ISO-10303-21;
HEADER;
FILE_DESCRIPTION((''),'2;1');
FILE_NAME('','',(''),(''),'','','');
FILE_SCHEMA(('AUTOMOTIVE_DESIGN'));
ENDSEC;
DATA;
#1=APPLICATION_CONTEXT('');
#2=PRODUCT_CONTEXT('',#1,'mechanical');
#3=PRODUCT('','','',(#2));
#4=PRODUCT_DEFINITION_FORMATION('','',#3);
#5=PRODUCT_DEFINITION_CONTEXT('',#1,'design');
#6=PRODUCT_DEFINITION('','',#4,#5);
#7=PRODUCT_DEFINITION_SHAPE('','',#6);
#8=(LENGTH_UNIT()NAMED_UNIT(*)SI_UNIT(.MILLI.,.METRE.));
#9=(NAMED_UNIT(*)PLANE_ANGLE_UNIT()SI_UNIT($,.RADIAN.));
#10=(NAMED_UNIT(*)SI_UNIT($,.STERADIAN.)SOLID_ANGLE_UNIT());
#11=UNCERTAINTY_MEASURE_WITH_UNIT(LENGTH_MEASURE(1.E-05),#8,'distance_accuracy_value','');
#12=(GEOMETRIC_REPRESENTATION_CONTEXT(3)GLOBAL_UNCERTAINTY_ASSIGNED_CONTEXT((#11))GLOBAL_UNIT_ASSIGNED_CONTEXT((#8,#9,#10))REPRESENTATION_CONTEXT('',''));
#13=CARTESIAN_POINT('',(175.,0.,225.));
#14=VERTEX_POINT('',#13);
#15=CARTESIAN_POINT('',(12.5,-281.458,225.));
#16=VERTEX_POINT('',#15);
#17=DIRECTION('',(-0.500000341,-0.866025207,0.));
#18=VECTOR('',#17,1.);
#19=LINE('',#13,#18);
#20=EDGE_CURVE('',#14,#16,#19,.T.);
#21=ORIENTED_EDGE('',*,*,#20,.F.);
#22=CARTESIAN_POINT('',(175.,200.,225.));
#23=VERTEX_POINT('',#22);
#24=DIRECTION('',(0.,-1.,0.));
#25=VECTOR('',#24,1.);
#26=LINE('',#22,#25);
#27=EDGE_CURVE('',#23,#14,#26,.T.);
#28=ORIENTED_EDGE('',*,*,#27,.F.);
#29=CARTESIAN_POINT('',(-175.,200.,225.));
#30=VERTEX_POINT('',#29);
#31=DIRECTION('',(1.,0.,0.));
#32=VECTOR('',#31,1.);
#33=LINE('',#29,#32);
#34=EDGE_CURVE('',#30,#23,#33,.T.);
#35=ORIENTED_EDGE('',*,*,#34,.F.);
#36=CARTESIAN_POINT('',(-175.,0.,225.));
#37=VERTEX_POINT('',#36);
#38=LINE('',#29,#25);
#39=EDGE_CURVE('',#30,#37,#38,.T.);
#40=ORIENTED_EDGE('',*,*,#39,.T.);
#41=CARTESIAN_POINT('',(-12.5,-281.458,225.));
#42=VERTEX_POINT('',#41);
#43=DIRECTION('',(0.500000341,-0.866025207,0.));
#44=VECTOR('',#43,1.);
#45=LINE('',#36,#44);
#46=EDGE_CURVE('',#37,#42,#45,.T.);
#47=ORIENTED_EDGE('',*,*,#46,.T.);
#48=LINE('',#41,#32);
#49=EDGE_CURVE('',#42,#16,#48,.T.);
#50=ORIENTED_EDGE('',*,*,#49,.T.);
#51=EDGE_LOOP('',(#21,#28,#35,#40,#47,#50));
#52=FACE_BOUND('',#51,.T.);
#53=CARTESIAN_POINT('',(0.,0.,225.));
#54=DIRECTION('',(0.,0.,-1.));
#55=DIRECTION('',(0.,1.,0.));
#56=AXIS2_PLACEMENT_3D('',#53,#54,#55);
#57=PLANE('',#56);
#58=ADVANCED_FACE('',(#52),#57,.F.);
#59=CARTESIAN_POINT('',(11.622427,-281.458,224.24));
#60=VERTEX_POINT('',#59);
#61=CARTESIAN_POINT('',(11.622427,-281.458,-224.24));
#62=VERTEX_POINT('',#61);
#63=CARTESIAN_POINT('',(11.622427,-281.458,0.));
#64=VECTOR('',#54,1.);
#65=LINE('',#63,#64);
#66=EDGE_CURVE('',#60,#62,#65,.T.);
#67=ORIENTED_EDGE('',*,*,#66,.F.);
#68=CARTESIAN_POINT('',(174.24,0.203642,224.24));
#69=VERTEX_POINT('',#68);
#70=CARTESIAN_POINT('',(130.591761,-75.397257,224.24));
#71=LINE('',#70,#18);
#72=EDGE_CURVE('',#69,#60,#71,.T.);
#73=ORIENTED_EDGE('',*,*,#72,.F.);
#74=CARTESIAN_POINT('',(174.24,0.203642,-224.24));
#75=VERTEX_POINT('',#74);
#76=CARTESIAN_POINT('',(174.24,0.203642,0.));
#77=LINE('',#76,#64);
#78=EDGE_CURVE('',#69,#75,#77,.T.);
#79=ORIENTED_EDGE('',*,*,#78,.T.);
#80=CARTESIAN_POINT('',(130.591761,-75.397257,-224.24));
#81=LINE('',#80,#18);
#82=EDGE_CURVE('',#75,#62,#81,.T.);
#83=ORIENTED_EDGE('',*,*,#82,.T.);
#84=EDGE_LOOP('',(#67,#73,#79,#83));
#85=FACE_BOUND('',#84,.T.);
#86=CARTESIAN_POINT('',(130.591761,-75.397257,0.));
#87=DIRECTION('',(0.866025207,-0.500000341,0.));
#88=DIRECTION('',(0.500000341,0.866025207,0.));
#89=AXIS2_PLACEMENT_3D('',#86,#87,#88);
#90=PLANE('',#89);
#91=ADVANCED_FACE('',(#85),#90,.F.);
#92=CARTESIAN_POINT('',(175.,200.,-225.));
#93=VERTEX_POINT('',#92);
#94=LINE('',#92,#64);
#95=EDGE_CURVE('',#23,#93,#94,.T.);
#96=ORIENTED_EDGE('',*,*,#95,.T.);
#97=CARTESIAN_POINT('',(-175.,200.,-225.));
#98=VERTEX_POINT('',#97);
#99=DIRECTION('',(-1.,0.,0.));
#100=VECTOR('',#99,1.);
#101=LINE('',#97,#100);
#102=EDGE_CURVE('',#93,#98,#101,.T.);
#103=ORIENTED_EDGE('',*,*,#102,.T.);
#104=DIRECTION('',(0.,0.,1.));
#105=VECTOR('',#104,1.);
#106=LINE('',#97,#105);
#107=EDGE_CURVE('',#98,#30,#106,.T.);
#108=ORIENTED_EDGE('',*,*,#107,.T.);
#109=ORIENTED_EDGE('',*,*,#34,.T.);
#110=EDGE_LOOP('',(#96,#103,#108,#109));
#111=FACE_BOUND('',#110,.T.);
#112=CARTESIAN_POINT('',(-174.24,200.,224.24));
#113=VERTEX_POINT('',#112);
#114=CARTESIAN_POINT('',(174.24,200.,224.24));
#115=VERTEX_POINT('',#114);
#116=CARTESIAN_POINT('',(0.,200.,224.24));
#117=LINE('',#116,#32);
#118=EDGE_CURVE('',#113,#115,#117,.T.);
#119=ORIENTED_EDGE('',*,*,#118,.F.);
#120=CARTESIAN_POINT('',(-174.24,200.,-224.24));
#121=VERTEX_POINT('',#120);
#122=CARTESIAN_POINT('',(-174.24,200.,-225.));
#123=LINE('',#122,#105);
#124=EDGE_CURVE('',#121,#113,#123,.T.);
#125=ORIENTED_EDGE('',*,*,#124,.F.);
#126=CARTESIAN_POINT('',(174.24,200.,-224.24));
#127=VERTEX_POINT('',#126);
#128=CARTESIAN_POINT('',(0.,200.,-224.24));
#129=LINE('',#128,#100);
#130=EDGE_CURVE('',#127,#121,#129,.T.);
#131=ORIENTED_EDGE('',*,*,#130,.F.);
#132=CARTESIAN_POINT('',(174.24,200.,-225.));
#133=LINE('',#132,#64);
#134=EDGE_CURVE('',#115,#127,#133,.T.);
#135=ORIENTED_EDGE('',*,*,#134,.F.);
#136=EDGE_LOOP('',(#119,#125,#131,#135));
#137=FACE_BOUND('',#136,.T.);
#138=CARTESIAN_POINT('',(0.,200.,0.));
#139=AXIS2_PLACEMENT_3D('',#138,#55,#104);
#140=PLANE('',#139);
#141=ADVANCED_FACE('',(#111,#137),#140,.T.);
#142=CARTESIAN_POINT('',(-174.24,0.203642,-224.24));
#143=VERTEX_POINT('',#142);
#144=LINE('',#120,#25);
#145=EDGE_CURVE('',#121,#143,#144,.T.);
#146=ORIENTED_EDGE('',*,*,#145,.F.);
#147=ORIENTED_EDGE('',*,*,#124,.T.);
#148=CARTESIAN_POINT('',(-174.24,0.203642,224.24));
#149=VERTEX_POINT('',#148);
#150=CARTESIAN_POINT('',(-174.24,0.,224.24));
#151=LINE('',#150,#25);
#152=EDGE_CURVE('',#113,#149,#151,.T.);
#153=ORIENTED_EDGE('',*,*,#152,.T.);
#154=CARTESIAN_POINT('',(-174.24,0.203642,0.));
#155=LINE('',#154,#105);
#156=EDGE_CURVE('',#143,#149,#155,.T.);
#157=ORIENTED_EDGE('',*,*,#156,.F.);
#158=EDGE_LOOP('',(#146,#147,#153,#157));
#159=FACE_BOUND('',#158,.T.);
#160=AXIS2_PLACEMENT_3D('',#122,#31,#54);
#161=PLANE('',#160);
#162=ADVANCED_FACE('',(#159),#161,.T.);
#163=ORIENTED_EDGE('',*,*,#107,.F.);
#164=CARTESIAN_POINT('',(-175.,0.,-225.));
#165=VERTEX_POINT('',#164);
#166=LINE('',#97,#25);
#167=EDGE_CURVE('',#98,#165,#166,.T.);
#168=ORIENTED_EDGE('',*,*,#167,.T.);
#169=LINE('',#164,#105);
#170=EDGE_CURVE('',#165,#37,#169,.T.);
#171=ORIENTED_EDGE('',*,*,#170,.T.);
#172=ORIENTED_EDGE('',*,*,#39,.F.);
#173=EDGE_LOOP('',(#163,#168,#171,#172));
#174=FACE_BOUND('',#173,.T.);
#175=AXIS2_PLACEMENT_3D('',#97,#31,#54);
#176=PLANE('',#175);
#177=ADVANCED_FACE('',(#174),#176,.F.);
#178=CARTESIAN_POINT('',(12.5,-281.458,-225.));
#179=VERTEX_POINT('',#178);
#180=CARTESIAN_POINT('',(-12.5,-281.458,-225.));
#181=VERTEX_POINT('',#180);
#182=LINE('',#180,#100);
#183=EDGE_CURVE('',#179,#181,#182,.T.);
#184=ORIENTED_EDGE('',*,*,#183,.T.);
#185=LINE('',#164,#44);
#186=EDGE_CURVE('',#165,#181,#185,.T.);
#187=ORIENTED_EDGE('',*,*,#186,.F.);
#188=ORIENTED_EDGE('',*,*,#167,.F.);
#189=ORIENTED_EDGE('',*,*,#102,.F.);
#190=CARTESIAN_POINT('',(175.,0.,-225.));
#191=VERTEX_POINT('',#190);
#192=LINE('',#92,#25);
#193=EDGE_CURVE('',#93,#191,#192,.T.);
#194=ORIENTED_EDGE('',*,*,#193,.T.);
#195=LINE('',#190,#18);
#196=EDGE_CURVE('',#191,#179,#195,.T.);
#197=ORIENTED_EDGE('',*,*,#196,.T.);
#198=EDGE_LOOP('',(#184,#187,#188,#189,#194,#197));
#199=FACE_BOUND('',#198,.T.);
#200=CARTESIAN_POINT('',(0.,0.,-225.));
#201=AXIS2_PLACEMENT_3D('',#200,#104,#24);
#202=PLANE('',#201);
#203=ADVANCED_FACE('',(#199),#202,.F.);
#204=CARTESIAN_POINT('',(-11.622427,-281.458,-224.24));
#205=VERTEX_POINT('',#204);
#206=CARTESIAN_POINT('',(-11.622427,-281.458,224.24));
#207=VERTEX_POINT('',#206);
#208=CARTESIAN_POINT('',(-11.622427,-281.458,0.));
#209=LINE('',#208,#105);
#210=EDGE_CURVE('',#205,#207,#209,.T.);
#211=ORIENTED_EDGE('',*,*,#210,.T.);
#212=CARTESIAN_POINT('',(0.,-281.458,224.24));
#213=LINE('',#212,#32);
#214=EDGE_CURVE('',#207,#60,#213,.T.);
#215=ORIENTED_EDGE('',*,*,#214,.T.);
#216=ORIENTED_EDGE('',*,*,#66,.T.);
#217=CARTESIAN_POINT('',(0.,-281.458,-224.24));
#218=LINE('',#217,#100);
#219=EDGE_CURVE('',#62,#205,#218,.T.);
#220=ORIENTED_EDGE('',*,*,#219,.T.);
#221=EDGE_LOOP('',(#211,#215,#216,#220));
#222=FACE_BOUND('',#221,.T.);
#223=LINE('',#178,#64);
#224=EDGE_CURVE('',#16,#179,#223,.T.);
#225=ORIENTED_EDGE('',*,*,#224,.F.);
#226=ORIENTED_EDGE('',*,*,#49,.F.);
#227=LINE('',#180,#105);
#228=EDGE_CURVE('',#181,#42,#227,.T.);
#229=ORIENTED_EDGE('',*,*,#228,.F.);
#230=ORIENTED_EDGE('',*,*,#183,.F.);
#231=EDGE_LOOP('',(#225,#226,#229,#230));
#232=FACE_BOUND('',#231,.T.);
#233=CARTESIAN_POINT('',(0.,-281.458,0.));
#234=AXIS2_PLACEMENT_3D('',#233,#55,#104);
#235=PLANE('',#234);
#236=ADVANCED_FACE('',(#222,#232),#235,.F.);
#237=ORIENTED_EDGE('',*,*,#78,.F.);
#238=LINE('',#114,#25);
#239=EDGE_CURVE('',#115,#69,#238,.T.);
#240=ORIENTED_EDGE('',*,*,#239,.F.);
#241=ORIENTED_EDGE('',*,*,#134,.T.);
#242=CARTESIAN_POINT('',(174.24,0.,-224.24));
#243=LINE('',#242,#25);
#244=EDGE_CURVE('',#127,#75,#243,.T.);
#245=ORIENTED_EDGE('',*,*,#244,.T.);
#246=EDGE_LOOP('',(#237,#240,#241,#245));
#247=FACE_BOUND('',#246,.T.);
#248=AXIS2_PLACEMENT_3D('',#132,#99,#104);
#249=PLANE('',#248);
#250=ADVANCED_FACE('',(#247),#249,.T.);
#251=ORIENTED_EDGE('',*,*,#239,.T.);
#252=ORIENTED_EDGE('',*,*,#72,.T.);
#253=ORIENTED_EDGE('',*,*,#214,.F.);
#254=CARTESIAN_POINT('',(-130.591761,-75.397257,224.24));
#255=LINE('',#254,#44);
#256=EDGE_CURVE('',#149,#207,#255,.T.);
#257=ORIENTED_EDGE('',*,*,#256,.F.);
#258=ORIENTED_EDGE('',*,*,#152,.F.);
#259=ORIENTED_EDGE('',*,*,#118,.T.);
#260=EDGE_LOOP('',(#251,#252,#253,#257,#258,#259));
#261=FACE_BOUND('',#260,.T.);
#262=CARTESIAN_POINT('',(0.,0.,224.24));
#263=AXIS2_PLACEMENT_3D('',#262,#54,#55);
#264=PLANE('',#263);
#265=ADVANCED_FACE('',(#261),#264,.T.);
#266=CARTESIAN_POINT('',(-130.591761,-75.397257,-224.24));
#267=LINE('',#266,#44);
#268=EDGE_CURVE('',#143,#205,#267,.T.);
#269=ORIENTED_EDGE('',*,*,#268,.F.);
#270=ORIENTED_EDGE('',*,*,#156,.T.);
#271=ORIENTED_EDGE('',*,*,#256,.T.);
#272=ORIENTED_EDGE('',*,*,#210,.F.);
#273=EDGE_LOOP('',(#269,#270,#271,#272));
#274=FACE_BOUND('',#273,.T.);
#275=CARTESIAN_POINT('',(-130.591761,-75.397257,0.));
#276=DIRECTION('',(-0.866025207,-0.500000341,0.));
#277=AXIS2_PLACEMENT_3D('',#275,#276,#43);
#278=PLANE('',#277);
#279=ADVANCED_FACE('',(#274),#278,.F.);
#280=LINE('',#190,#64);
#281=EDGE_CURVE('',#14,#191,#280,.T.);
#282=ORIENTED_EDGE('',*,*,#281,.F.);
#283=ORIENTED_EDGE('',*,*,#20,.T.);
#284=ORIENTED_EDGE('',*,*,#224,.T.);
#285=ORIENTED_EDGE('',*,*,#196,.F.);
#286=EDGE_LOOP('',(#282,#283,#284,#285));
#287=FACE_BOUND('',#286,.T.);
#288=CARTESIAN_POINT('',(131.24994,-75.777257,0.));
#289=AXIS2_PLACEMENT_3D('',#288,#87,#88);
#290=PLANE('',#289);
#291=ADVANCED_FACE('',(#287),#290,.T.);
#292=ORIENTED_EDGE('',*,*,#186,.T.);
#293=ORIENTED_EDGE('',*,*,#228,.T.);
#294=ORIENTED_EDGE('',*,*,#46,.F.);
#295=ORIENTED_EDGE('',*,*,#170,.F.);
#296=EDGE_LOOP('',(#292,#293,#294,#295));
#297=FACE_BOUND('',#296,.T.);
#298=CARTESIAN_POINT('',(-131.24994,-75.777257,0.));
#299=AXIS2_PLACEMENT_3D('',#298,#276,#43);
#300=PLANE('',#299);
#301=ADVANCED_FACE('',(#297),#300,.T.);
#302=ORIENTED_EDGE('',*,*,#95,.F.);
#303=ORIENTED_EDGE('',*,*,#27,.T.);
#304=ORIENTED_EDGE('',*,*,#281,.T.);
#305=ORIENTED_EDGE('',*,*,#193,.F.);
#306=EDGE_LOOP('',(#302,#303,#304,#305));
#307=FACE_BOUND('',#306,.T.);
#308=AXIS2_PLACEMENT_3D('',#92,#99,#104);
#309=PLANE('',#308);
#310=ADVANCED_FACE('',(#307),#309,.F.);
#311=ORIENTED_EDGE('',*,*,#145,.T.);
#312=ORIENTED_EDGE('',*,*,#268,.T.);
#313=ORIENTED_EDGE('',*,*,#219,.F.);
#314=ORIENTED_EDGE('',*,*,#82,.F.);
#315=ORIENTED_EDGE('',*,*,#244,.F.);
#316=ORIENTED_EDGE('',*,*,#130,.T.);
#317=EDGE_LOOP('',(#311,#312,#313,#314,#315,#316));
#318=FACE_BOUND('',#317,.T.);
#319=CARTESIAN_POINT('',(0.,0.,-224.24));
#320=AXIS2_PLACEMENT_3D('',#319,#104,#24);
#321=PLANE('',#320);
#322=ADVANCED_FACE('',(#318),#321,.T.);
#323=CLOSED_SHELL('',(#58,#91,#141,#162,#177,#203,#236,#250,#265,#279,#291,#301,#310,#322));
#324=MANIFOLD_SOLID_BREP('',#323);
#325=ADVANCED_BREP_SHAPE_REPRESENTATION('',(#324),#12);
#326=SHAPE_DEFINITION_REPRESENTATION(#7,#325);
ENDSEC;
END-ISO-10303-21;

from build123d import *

# Parameters (mm, degrees)
CROQUIS3_W              = 350
CROQUIS3_H              = 450
SALIENTE_EXTRUIR1_DEPTH = 200
VACIADO2_T              = -0.76


with BuildPart() as part:
    # Croquis1 → Recubrir1 section 0
    with BuildSketch(Plane(origin=(0, 0, 0), x_dir=(1, 0, 0), z_dir=(0, 1, 0))):
        with BuildLine():
            Line((-175, 225), (175, 225))
            Line((175, 225), (175, -225))
            Line((175, -225), (-175, -225))
            Line((-175, -225), (-175, 225))
        make_face()
    # Croquis2 → Recubrir1 section 1
    with BuildSketch(Plane(origin=(0, -281.458, 0), x_dir=(1, 0, 0), z_dir=(0, 1, 0))):
        with BuildLine():
            Line((-12.5, 225), (12.5, 225))
            Line((12.5, 225), (12.5, -225))
            Line((12.5, -225), (-12.5, -225))
            Line((-12.5, -225), (-12.5, 225))
        make_face()
    loft()

    # Croquis3 → Saliente-Extruir1 (add)
    with BuildSketch(Plane(origin=(0, 0, 0), x_dir=(1, 0, 0), z_dir=(0, 1, 0))):
        Rectangle(CROQUIS3_W, CROQUIS3_H)
    extrude(amount=SALIENTE_EXTRUIR1_DEPTH)

    # Vaciado2
    vaciado2_openings = [part.faces().sort_by_distance(p)[0] for p in [
        (0, -281.458, 0),
        (0, 200, 0),
    ]]
    offset(amount=VACIADO2_T, openings=vaciado2_openings, kind=Kind.INTERSECTION)


solid = part.part
